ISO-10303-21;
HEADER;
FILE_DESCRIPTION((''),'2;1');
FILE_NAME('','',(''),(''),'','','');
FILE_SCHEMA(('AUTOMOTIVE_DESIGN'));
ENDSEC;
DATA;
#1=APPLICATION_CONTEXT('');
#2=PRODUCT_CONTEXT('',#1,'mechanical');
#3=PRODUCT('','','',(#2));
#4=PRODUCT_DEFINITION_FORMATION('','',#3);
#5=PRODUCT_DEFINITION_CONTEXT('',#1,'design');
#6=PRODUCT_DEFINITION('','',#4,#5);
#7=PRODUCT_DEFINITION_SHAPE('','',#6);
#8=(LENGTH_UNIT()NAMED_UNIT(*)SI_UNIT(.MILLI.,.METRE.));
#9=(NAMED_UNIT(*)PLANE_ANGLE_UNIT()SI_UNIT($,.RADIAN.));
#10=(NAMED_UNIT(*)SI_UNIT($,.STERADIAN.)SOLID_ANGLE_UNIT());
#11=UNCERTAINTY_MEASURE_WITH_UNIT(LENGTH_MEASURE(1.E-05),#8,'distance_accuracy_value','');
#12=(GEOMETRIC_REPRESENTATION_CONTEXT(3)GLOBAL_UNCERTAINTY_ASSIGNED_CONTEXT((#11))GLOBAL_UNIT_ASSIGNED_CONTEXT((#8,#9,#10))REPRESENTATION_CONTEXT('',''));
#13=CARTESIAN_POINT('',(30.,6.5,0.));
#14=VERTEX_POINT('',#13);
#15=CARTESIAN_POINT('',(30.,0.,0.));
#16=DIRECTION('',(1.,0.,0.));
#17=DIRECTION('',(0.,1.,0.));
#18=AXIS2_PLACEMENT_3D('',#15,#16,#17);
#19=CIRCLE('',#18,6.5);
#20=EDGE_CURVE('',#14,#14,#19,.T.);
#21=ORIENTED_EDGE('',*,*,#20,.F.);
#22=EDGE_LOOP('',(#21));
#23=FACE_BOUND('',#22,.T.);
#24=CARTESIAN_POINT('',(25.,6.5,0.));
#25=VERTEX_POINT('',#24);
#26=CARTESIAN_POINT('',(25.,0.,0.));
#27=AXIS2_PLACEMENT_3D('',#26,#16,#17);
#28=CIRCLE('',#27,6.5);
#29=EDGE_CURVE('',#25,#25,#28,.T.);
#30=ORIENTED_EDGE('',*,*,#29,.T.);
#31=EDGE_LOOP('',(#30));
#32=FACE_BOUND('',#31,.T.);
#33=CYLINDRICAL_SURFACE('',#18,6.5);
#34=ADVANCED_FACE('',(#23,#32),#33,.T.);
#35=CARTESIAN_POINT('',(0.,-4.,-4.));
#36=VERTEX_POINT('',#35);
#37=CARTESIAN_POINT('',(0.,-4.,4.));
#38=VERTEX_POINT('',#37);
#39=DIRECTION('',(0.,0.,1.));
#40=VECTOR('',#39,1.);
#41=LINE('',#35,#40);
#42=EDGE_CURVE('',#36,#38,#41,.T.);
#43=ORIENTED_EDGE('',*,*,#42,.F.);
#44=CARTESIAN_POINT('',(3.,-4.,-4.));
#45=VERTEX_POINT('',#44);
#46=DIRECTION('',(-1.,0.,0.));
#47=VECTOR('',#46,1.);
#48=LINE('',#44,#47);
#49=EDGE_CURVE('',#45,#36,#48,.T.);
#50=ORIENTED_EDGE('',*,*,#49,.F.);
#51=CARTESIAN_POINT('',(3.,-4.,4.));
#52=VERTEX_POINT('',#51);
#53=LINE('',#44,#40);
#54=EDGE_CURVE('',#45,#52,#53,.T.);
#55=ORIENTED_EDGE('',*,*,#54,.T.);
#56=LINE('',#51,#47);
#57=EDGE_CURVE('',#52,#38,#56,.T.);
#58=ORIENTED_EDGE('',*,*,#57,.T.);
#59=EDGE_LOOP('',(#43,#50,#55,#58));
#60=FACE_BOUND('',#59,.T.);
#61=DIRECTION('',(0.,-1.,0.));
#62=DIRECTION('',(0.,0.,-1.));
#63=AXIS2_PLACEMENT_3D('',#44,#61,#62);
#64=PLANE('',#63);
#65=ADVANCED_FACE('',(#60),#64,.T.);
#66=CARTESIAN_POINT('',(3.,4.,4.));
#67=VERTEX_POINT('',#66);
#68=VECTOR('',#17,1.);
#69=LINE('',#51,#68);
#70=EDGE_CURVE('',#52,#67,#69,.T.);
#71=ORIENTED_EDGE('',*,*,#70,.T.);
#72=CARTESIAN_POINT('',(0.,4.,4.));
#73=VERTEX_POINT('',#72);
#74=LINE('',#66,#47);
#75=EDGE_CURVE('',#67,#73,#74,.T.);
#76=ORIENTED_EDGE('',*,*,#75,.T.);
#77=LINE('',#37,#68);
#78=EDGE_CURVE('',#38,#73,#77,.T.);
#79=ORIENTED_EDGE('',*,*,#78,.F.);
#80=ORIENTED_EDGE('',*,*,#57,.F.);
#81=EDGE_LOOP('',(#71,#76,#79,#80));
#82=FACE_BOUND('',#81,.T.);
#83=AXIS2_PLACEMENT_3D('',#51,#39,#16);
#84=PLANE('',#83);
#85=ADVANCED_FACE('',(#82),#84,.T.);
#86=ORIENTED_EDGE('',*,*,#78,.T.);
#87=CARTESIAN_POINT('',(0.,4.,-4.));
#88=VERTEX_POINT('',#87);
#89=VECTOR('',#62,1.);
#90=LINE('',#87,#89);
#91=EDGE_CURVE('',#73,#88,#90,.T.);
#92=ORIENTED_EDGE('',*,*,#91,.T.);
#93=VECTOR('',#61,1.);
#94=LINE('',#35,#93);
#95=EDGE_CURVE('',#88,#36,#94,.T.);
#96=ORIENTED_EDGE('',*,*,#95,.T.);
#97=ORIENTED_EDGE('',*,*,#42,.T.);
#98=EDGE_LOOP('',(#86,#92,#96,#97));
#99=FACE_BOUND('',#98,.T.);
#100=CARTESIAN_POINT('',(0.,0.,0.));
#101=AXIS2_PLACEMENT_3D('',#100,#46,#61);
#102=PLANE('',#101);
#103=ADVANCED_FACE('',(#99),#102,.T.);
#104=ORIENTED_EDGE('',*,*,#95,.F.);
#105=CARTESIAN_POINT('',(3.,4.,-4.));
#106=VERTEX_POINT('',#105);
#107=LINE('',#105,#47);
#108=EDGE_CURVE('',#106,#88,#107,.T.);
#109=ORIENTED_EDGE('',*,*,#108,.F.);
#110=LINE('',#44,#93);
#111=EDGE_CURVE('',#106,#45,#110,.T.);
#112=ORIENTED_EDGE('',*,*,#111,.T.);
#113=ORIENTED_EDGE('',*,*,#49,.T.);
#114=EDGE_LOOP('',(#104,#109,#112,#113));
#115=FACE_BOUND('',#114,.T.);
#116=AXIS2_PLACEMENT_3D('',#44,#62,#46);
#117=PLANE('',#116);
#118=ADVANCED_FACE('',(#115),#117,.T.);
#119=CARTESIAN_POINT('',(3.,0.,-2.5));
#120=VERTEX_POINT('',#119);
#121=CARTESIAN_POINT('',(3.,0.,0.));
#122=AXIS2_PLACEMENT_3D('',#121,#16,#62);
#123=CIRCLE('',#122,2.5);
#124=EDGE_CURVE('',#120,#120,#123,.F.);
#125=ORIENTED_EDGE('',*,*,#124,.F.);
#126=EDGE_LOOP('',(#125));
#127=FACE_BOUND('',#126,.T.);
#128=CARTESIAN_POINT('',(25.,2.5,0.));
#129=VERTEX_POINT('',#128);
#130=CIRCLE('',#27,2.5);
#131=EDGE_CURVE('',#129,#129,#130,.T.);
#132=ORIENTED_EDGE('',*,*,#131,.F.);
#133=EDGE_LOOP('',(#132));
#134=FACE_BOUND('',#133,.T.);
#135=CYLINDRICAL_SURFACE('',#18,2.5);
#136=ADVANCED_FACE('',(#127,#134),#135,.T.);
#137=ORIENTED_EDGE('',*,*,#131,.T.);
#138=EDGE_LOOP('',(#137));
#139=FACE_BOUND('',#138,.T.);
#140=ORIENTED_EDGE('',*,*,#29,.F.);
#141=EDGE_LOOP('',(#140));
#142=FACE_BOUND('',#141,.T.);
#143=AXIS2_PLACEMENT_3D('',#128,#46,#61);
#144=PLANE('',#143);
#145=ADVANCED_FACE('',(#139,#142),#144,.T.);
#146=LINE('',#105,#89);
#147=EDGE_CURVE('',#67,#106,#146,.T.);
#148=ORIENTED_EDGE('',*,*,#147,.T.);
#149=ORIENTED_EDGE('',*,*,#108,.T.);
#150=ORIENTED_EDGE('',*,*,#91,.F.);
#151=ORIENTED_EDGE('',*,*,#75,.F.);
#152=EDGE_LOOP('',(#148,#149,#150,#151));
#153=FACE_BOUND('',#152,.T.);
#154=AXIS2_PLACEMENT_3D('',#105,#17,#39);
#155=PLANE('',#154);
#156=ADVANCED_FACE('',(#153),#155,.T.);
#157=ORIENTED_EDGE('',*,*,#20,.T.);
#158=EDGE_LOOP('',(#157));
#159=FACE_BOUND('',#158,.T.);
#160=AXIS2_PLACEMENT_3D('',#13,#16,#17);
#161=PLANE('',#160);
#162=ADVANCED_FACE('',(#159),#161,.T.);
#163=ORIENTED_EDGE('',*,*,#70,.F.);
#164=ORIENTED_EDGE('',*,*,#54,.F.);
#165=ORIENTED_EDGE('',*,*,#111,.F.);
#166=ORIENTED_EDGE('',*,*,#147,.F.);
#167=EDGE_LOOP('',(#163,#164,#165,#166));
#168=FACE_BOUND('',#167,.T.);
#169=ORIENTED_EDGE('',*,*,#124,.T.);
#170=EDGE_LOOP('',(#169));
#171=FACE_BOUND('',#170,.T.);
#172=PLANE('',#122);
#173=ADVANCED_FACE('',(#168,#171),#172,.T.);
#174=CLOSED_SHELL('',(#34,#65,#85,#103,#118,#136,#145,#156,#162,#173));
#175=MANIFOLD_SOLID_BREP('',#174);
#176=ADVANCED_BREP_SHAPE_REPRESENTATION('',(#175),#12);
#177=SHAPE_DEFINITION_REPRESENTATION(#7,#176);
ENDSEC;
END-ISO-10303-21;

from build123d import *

# Parameters (mm, degrees)
SKETCH_3_W      = 8
SKETCH_3_H      = 8
EXTRUDE_1_DEPTH = 3


with BuildPart() as part:
    # 草圖1 → 旋轉1 (revolve)
    with BuildSketch(Plane.XY):
        Polygon((0, 0), (0, 2.5), (25, 2.5), (25, 6.5), (30, 6.5), (30, 0), align=None)
    revolve(axis=Axis((30, 0, 0), (-1, 0, 0)))

    # 草圖3 → 填料-伸長1 (add)
    with BuildSketch(Plane.ZY):
        Rectangle(SKETCH_3_W, SKETCH_3_H)
    extrude(amount=-EXTRUDE_1_DEPTH)


solid = part.part
